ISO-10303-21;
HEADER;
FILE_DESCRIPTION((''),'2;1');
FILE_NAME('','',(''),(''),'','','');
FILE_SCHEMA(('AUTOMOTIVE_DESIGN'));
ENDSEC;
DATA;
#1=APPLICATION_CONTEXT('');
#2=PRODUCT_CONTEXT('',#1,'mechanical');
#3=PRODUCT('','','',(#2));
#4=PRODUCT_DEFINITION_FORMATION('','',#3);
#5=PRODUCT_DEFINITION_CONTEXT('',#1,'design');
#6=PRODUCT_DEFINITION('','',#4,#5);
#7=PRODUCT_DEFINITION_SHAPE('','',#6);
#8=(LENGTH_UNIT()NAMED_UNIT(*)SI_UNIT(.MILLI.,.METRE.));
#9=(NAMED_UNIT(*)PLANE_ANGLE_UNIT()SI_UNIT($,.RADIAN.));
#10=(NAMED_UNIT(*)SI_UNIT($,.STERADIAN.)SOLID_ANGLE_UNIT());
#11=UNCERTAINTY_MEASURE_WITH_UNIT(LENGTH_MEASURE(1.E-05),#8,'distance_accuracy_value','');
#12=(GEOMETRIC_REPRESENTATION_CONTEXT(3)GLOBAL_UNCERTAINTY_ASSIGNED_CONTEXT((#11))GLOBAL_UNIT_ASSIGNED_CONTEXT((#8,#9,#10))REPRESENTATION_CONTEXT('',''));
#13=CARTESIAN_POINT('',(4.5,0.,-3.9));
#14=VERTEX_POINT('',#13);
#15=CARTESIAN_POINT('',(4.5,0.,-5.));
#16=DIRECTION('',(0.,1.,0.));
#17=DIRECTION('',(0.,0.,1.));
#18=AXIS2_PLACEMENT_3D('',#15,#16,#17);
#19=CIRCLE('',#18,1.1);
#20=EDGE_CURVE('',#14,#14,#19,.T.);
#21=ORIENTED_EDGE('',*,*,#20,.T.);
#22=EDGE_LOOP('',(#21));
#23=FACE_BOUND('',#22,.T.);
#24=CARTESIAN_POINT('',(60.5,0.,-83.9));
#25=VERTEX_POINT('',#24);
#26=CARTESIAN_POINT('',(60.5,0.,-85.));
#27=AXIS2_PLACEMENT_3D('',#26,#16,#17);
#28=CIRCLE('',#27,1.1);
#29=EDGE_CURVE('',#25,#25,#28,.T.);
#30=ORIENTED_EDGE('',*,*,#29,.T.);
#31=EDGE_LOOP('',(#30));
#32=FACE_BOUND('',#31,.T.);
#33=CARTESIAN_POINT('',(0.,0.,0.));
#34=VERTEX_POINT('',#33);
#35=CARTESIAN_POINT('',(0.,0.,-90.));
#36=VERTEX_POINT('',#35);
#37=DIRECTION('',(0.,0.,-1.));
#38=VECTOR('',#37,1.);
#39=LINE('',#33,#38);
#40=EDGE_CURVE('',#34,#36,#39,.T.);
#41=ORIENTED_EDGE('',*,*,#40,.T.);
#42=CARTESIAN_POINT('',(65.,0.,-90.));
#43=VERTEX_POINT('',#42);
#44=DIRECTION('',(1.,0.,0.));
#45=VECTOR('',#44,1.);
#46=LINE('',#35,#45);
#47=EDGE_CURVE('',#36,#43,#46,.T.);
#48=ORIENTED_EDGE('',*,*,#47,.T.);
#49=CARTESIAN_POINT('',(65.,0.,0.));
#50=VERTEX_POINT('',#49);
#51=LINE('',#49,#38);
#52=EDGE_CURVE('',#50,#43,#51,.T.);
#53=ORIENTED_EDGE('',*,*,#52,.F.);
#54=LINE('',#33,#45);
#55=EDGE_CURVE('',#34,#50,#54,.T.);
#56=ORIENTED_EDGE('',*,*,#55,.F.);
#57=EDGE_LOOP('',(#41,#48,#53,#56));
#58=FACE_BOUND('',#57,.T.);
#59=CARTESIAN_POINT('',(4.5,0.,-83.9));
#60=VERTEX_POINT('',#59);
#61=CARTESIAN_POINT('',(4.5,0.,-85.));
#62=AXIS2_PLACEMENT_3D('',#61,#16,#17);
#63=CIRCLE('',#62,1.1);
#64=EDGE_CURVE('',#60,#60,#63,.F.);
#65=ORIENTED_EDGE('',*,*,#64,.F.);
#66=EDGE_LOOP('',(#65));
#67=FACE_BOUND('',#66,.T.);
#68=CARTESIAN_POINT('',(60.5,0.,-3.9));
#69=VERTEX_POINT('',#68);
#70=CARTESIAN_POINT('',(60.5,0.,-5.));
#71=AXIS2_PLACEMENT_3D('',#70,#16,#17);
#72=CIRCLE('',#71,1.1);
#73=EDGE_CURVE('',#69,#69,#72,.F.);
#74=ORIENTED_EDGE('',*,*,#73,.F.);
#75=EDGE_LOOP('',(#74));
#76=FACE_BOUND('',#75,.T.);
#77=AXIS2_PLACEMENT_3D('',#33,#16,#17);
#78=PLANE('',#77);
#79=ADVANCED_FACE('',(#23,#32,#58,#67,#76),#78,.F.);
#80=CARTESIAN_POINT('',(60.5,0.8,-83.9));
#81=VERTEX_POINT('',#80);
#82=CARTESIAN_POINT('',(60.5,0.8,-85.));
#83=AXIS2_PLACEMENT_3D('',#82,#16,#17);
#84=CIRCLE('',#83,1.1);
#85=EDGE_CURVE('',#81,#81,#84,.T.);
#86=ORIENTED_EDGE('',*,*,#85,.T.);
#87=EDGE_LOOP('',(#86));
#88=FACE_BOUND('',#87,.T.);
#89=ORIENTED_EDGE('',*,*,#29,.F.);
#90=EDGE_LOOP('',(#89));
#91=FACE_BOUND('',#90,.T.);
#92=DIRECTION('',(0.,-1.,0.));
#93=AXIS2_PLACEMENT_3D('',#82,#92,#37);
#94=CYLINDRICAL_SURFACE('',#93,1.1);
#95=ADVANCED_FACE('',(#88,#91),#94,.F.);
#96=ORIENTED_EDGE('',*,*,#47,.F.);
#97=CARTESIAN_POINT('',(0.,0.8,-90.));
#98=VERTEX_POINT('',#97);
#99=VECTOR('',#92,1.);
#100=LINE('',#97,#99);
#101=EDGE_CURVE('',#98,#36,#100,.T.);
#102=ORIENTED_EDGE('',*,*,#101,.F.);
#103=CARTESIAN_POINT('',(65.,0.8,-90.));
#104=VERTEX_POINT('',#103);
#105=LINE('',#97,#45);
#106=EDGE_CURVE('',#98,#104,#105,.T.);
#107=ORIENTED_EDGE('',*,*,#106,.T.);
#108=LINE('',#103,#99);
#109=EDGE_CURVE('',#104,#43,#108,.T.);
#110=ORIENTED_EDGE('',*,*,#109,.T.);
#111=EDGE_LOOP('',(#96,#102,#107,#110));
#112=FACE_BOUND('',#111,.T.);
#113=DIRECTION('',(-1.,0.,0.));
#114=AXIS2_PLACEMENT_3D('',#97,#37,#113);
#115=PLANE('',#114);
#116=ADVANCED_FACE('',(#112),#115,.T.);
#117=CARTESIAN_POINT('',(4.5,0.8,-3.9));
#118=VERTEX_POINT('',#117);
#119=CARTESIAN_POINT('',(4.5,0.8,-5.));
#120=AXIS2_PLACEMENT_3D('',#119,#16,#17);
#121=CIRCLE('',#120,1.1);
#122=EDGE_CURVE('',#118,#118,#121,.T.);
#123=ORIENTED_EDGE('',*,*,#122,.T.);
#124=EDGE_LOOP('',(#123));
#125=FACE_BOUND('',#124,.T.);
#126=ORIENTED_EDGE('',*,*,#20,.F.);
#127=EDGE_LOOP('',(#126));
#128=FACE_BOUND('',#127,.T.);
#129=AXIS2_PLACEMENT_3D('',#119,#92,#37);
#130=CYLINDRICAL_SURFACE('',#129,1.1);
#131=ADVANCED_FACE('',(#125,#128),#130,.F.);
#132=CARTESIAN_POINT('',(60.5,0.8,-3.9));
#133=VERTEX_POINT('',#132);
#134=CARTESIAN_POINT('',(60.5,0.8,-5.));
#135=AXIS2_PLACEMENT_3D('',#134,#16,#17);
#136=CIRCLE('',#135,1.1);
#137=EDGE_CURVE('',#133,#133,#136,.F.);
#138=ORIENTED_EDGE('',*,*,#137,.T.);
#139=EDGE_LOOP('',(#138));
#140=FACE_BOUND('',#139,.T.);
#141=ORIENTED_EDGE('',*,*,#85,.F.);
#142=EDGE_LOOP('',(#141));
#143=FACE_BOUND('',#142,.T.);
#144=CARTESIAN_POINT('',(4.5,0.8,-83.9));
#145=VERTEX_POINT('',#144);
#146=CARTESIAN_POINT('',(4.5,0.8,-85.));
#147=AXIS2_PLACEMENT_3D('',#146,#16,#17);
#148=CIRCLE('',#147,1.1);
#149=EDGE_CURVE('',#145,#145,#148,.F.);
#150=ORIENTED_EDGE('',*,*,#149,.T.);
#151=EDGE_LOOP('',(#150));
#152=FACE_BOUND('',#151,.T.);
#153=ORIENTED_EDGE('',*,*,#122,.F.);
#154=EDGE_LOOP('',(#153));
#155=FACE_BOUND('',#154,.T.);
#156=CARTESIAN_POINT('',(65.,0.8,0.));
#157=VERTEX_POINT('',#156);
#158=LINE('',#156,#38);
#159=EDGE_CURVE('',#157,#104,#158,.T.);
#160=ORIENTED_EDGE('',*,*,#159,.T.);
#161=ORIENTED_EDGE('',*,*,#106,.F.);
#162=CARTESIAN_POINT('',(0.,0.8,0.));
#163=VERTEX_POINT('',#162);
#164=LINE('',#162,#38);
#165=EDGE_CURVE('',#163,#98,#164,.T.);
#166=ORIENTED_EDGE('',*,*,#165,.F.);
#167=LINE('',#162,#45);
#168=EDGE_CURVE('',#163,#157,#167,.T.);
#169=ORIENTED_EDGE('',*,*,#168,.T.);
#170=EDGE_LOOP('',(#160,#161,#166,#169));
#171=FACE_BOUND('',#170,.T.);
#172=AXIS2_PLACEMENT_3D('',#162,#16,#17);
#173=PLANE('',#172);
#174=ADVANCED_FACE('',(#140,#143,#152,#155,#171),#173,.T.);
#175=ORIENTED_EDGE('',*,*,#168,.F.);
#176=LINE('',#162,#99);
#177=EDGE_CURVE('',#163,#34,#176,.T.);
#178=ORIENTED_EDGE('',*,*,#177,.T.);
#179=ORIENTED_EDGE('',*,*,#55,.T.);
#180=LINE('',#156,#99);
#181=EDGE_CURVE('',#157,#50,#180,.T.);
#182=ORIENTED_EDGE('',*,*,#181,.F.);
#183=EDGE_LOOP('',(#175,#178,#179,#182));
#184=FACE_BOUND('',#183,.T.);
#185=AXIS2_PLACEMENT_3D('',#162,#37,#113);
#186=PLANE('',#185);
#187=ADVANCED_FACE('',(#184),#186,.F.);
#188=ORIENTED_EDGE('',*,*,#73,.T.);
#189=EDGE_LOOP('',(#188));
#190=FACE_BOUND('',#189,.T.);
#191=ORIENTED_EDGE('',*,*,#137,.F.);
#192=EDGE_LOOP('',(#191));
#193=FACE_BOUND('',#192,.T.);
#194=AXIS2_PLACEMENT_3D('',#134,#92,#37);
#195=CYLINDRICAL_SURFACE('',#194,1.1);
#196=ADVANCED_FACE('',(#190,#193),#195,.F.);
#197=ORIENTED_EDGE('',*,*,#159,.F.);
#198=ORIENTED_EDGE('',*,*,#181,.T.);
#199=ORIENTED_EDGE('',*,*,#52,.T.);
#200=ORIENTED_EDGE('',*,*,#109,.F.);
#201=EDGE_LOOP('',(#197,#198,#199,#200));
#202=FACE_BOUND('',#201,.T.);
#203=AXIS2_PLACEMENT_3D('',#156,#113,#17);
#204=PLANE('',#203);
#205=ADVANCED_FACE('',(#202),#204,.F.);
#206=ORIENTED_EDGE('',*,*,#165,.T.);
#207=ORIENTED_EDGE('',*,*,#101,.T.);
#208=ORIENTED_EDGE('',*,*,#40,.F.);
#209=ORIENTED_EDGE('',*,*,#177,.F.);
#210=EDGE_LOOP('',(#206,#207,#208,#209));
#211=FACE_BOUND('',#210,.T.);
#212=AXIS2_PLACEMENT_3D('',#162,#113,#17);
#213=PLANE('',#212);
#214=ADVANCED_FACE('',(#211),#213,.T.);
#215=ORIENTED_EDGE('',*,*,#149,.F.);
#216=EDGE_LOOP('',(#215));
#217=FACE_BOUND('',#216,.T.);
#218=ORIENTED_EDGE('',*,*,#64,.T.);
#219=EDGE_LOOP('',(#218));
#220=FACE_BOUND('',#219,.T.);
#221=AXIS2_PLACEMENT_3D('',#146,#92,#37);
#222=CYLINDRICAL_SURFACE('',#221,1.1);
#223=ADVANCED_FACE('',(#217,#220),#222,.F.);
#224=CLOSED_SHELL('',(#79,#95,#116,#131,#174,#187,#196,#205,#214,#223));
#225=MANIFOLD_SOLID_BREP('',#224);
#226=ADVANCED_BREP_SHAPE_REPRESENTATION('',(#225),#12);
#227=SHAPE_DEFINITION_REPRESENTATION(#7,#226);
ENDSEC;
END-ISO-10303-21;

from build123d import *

# Parameters (mm, degrees)
SKETCH1_W           = 65
SKETCH1_H           = 90
SKETCH1_R           = 1.1
BOSS_EXTRUDE1_DEPTH = 0.8


with BuildPart() as part:
    # Sketch1 → Boss-Extrude1 (new body)
    with BuildSketch(Plane(origin=(0, 0, 0), x_dir=(1, 0, 0), z_dir=(0, 1, 0))):
        with Locations((32.5, 45)):
            Rectangle(SKETCH1_W, SKETCH1_H)
        with Locations((60.5, 85)):
            Circle(SKETCH1_R, mode=Mode.SUBTRACT)
        with Locations((4.5, 85)):
            Circle(SKETCH1_R, mode=Mode.SUBTRACT)
        with Locations((4.5, 5)):
            Circle(SKETCH1_R, mode=Mode.SUBTRACT)
        with Locations((60.5, 5)):
            Circle(SKETCH1_R, mode=Mode.SUBTRACT)
    extrude(amount=BOSS_EXTRUDE1_DEPTH)


solid = part.part
